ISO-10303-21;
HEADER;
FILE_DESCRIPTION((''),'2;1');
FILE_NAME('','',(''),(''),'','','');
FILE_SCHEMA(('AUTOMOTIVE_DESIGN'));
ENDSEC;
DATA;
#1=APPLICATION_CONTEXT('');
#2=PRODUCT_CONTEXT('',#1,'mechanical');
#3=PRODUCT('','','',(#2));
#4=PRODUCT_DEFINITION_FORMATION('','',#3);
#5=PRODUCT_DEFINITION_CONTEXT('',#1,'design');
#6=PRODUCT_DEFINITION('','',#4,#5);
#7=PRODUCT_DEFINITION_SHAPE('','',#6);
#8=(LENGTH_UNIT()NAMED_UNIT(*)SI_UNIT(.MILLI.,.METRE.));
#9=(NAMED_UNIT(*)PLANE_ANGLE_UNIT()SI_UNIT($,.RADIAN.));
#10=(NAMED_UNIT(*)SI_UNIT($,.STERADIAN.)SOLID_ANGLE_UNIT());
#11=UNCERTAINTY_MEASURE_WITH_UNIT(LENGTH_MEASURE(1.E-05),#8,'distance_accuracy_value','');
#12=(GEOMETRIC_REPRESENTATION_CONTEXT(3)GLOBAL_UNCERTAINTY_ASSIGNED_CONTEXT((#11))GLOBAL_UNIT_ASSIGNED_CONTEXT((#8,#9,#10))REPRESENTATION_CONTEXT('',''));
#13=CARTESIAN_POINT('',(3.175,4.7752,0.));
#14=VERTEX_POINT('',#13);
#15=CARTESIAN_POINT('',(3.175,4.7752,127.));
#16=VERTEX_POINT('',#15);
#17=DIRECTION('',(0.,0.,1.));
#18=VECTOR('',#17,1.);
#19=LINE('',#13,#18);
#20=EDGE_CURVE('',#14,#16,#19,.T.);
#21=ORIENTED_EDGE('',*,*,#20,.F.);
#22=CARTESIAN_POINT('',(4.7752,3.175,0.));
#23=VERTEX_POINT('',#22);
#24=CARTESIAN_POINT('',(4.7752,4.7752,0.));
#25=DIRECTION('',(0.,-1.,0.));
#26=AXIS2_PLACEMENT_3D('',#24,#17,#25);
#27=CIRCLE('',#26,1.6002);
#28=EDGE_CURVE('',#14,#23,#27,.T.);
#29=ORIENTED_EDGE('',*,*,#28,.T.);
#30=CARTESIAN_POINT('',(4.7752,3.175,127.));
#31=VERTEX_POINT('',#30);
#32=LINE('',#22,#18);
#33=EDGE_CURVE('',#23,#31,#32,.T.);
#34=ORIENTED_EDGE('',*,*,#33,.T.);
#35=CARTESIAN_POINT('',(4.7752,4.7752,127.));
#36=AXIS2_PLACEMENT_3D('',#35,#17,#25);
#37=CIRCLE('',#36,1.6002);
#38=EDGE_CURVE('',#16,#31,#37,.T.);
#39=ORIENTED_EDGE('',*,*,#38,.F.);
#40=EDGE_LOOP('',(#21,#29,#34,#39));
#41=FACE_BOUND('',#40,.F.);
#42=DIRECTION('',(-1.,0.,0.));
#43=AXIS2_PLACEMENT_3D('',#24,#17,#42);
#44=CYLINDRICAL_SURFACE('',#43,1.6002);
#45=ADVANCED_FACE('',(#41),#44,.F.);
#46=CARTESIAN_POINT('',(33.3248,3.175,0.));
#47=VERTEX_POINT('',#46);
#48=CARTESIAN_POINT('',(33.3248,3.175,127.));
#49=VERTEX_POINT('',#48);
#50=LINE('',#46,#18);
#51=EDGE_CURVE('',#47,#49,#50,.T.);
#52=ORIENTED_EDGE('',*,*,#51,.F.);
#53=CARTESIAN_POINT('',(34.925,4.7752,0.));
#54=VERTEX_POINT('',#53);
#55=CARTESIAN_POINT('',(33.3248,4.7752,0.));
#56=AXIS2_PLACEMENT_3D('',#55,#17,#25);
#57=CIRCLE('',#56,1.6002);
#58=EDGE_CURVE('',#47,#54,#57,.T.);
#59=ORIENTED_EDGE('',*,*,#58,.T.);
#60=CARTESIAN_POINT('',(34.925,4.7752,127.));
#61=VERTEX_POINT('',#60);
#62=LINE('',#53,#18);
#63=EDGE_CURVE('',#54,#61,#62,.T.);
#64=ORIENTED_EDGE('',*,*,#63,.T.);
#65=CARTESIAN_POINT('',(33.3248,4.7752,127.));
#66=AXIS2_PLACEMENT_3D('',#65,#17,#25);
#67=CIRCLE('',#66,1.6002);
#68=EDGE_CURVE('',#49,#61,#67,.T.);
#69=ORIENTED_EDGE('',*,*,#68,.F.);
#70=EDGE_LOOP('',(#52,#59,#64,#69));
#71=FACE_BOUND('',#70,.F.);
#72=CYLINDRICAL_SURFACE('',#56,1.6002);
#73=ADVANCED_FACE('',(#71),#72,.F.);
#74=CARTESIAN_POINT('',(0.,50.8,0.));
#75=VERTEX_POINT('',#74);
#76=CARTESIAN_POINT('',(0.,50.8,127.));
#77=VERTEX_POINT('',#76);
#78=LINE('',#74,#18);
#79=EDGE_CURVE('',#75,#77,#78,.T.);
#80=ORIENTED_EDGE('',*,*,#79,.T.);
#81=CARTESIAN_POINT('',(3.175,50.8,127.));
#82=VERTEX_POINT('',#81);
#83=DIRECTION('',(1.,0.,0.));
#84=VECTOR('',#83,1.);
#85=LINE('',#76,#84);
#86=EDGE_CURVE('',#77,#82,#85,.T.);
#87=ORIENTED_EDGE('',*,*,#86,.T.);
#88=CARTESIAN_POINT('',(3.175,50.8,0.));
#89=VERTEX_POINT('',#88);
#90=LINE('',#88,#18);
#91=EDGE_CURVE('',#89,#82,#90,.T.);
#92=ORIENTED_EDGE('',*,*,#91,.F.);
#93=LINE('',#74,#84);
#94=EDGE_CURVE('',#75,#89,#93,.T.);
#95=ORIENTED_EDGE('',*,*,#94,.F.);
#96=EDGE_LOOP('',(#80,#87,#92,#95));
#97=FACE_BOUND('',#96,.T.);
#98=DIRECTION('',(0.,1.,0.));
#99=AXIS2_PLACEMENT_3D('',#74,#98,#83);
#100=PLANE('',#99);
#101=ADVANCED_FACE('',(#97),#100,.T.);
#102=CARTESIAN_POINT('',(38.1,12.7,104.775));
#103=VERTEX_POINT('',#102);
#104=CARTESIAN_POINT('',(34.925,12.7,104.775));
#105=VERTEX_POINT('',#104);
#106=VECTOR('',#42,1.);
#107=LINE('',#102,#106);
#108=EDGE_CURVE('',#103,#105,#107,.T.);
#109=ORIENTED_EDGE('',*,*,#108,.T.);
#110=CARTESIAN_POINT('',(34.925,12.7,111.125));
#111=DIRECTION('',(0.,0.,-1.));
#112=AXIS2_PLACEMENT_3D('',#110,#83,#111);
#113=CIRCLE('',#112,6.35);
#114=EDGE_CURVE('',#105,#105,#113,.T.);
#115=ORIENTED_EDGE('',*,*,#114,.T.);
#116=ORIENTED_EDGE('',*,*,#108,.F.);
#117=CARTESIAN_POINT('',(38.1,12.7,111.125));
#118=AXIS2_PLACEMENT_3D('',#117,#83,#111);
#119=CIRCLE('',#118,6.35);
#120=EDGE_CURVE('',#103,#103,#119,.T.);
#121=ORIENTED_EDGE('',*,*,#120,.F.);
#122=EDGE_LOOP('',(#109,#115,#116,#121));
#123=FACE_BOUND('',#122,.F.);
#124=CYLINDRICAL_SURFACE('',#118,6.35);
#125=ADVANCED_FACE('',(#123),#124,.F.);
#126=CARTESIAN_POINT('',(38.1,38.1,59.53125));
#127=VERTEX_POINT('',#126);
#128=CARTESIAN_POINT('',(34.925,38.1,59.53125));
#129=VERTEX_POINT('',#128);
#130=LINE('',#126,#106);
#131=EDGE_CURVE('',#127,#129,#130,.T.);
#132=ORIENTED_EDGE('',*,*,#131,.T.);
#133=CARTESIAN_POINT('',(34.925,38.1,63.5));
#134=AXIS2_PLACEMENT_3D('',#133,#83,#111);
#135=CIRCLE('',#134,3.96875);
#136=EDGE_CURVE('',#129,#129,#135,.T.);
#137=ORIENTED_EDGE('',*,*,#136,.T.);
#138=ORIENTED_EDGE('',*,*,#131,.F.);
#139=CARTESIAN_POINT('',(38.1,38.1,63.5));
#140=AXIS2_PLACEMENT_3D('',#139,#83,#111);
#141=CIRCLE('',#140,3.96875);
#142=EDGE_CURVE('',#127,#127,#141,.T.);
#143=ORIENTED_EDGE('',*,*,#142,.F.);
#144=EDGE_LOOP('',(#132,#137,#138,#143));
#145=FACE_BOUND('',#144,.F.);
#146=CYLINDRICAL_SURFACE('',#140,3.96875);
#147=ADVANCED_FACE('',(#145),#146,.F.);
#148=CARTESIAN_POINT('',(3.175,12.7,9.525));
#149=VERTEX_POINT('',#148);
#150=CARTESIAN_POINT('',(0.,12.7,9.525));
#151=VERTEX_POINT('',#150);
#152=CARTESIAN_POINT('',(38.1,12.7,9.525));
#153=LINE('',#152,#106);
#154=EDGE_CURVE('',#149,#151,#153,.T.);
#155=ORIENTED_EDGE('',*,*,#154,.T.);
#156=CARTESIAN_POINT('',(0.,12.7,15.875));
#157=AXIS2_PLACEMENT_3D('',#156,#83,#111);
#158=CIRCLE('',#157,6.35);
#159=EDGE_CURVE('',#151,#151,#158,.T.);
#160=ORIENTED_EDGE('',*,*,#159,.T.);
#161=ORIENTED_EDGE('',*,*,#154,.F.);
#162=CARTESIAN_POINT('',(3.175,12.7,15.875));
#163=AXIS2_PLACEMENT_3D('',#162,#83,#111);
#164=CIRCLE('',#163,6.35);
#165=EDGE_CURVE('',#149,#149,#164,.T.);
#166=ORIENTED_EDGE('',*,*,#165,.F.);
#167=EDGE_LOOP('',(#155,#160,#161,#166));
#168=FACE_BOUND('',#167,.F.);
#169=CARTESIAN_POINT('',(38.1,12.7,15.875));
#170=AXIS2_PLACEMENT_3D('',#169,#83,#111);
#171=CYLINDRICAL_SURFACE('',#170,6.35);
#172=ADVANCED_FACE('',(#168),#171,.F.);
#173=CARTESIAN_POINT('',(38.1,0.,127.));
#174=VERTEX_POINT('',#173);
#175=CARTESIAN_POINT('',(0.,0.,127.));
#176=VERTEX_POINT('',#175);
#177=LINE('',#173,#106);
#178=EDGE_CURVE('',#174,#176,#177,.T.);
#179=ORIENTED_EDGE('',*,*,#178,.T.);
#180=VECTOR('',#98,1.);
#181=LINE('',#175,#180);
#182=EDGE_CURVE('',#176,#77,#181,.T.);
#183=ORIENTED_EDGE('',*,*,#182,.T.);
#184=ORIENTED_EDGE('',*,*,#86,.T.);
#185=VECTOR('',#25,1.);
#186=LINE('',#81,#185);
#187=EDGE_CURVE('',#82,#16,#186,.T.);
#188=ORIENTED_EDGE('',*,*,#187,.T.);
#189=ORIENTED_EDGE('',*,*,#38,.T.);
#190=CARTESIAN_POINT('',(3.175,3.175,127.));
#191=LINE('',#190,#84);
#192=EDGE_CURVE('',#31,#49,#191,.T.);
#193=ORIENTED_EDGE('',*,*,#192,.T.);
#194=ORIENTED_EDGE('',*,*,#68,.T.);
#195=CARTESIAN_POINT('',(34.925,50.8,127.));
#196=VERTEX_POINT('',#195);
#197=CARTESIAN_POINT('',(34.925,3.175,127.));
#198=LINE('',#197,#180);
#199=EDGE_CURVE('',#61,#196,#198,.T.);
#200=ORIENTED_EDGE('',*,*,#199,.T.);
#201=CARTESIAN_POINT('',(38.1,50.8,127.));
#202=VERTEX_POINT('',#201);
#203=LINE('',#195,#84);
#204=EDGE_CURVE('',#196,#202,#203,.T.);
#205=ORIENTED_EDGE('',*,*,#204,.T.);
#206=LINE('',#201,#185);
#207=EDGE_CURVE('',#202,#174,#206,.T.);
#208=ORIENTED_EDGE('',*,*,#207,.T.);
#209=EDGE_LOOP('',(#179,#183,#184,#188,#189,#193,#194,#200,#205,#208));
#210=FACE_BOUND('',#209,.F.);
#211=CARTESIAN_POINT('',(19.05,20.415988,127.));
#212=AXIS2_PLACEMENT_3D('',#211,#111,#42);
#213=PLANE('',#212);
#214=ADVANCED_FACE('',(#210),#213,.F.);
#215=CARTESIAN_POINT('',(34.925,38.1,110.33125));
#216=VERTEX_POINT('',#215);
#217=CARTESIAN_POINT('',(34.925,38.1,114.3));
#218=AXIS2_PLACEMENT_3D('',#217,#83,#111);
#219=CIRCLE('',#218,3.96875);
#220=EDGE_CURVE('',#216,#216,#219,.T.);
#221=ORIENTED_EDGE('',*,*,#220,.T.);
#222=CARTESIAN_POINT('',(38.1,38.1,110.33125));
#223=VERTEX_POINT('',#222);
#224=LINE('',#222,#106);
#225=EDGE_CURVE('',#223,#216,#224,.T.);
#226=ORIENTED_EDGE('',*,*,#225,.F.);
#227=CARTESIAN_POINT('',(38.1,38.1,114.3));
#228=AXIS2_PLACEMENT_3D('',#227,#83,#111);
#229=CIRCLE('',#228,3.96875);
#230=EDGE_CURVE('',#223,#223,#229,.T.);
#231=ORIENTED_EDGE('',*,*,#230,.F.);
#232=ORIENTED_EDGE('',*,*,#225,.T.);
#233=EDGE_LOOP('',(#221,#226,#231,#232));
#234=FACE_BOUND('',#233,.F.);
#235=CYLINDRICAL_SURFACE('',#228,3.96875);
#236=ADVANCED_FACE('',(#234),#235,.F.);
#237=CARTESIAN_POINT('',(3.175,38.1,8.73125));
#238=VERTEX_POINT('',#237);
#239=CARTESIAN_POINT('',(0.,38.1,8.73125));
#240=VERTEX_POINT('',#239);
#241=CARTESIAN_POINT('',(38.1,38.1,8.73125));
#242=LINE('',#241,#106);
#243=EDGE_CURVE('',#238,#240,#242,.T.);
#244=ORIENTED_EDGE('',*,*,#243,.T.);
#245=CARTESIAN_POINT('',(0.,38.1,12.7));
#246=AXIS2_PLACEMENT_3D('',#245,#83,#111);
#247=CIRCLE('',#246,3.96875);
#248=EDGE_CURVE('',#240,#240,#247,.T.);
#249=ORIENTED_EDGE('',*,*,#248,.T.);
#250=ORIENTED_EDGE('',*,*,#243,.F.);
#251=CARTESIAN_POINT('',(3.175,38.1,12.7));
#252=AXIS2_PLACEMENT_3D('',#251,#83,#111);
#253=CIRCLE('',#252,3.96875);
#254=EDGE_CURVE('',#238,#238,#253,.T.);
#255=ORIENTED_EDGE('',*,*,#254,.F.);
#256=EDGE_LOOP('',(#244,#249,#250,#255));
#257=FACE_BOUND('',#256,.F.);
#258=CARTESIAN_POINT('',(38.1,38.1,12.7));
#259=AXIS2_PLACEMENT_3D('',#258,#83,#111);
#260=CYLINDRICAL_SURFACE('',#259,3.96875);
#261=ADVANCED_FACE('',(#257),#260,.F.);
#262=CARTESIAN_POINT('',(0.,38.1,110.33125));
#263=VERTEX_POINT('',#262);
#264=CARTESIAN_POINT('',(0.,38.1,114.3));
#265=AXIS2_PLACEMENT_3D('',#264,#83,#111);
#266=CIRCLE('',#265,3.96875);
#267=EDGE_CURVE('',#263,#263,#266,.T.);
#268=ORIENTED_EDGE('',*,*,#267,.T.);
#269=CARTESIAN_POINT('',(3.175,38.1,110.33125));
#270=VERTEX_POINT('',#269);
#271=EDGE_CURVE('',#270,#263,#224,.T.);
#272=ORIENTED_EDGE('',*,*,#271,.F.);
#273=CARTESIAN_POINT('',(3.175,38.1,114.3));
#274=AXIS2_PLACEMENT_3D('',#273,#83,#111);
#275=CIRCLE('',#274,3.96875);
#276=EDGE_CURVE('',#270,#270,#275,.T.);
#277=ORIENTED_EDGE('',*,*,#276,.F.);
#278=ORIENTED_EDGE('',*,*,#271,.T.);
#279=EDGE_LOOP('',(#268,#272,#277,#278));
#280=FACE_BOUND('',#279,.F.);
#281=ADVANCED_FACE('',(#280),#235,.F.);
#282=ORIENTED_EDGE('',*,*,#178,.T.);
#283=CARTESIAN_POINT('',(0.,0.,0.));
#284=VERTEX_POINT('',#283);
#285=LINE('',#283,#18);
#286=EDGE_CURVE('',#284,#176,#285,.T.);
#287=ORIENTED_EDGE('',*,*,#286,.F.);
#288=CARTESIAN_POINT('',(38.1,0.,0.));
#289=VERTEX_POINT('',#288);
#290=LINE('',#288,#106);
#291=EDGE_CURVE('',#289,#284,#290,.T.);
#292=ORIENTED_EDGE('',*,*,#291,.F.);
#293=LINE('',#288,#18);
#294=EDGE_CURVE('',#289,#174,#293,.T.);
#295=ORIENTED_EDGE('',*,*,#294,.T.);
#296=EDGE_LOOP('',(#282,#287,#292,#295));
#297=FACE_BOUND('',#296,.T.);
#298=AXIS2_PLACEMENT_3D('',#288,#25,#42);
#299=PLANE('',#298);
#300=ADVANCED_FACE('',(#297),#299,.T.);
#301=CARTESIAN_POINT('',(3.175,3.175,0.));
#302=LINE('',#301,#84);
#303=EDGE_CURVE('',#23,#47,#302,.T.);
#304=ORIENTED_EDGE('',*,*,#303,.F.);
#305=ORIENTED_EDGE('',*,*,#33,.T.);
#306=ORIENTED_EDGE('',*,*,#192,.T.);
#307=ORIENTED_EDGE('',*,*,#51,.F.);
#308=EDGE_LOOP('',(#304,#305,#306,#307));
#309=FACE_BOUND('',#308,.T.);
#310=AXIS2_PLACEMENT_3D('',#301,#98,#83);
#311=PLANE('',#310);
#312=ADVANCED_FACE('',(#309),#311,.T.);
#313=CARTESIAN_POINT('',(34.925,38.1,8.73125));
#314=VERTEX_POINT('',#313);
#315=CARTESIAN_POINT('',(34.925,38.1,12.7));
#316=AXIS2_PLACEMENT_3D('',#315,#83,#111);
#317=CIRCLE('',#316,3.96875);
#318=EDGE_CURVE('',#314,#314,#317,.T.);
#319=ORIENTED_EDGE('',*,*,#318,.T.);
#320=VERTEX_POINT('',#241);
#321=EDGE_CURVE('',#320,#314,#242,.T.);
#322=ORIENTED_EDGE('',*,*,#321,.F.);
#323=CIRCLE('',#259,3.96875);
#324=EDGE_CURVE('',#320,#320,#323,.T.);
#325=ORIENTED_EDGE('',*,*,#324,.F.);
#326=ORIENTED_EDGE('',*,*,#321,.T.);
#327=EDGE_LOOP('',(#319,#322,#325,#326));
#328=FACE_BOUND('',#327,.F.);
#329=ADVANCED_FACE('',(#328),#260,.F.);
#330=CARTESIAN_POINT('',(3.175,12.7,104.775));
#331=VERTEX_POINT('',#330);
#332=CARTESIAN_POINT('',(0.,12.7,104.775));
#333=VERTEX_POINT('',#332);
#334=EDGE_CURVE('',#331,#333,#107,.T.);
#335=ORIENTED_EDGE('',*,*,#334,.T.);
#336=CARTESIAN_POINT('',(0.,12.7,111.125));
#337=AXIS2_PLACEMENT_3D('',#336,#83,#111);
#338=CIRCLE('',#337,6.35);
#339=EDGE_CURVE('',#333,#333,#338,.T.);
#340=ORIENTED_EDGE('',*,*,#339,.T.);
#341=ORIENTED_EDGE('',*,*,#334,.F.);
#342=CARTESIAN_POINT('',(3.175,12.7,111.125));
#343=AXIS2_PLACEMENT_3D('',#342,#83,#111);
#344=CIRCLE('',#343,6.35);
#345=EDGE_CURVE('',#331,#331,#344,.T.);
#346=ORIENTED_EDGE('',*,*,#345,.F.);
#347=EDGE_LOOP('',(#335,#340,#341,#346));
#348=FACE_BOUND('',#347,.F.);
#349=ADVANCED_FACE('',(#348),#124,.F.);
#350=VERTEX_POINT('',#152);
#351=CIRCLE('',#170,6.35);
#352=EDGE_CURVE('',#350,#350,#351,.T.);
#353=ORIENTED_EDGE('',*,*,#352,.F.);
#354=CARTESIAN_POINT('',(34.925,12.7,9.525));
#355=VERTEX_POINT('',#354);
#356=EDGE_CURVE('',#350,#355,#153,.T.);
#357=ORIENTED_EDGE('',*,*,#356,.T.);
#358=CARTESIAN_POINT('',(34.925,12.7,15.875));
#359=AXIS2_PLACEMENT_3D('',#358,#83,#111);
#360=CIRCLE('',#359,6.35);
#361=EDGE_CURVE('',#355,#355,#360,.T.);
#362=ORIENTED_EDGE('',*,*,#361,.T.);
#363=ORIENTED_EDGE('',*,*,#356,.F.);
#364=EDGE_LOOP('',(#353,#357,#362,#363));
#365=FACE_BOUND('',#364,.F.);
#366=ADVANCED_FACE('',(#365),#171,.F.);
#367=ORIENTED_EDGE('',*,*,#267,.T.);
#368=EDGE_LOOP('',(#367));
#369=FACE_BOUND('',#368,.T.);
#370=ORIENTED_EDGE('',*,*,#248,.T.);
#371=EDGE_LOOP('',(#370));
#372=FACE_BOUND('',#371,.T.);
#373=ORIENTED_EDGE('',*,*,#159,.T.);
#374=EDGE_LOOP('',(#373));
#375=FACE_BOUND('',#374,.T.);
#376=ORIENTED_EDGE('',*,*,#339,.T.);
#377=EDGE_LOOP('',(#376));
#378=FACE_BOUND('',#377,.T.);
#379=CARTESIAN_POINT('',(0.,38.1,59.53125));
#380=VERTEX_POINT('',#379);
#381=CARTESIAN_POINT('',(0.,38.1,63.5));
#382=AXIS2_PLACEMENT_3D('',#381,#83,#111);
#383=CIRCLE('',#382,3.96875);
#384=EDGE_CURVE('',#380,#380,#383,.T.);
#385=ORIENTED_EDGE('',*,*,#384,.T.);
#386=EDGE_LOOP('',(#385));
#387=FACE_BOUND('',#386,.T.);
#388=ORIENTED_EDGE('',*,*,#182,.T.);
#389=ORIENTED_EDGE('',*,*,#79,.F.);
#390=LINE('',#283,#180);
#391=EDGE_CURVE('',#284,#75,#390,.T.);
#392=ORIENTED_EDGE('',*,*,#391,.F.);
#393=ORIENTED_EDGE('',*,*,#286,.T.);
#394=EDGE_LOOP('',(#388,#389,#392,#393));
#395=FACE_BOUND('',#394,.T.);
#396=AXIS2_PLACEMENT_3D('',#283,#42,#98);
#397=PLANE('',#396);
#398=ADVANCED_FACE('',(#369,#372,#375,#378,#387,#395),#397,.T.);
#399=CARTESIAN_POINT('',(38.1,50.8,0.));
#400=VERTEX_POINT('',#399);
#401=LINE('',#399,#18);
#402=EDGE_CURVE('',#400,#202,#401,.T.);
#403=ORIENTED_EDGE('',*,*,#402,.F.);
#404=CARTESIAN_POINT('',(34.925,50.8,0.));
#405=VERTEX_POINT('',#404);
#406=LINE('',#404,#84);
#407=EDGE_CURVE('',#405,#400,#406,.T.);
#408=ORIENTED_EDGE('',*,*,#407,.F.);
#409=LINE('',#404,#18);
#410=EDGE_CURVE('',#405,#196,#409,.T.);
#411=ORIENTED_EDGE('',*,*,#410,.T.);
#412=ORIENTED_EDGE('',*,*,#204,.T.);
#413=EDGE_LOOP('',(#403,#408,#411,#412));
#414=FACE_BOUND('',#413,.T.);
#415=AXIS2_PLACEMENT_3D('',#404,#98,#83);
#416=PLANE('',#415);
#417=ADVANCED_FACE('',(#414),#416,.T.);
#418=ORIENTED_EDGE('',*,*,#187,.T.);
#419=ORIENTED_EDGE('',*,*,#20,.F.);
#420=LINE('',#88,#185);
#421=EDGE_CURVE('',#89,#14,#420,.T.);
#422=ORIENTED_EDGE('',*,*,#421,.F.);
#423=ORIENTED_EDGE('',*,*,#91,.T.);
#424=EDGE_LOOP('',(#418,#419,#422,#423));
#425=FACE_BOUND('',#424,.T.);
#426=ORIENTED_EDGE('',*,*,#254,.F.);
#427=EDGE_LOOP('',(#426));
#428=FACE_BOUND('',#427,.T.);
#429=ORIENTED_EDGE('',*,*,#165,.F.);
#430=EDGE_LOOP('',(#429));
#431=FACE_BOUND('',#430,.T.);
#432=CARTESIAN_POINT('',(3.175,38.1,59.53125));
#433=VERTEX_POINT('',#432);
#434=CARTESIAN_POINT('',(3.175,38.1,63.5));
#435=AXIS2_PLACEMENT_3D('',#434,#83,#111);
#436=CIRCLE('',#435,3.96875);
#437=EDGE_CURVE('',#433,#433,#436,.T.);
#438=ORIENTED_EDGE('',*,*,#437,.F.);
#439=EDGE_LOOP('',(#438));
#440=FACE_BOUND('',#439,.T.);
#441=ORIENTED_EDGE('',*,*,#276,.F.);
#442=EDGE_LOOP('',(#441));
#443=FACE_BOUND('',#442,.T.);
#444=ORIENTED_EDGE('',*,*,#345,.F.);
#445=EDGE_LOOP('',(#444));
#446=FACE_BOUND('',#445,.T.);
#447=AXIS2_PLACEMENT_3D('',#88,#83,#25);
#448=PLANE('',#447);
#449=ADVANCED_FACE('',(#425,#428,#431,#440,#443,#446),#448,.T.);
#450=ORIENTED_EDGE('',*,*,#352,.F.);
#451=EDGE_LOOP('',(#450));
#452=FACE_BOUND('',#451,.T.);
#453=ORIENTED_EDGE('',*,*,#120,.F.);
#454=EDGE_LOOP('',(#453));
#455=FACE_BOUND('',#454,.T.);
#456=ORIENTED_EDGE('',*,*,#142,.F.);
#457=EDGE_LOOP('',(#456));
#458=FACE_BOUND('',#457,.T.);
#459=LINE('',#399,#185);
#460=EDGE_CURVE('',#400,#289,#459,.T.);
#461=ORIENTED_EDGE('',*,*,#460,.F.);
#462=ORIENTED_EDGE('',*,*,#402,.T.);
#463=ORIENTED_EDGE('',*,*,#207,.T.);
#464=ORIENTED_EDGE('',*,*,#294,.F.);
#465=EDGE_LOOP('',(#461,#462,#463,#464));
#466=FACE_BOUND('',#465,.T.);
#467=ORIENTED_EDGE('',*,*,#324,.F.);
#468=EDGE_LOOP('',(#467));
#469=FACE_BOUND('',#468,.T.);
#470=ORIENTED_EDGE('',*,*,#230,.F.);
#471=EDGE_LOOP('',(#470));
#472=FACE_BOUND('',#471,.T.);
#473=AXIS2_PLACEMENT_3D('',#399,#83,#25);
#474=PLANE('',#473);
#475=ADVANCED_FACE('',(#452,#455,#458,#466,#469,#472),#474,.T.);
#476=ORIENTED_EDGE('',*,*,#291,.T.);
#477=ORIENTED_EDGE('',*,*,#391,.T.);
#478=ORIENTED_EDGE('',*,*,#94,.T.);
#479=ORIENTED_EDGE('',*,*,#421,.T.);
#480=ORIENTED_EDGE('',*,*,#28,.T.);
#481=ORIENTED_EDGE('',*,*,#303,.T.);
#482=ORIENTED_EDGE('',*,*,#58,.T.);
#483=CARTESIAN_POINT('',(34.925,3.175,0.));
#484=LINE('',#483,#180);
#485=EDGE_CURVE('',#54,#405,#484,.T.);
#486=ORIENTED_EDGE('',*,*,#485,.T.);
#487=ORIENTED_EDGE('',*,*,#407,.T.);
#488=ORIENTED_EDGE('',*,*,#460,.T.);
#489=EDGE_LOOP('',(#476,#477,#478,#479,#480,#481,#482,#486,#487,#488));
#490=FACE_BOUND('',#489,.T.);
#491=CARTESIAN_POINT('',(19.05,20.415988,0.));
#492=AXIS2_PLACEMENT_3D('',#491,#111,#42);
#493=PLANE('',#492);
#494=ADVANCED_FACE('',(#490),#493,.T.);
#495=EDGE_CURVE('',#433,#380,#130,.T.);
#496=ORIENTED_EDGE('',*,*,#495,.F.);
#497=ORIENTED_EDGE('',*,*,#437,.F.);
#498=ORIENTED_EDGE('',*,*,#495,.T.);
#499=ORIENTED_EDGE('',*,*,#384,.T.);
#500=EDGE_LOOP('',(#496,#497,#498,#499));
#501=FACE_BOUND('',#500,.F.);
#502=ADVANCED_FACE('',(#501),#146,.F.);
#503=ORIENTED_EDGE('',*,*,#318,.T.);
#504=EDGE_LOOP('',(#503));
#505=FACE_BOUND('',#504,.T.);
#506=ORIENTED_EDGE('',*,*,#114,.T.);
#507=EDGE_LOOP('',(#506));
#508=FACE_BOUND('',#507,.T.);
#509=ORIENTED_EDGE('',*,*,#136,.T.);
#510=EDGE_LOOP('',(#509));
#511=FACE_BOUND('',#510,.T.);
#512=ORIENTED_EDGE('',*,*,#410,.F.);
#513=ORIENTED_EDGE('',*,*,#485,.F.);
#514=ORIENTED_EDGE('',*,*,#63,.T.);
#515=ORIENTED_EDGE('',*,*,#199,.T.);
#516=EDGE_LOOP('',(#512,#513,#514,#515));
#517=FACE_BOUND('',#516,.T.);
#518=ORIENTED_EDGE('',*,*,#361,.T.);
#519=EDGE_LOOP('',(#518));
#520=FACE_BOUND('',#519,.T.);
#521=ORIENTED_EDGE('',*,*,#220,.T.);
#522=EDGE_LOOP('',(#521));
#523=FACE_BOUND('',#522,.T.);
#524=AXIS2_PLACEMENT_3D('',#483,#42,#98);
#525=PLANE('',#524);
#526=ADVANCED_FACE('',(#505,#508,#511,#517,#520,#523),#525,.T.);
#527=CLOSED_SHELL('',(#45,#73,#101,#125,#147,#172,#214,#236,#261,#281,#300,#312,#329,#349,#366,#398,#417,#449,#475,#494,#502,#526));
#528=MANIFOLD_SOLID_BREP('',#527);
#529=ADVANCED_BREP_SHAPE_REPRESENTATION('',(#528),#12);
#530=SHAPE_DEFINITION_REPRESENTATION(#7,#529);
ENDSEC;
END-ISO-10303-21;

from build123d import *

# Parameters (mm, degrees)
BOSS_EXTRUDE1_DEPTH = 127
SKETCH2_R           = 6.35
SKETCH2_R_2         = 3.96875
CUT_EXTRUDE1_DEPTH  = 152.4
FILLET1_R           = 1.6002


with BuildPart() as part:
    # Sketch1 → Boss-Extrude1 (new body)
    with BuildSketch(Plane.XY):
        Polygon((3.175, 50.8), (3.175, 3.175), (34.925, 3.175), (34.925, 50.8), (38.1, 50.8), (38.1, 0), (0, 0), (0, 50.8), align=None)
    extrude(amount=BOSS_EXTRUDE1_DEPTH)

    # Sketch2 → Cut-Extrude1 (cut)
    with BuildSketch(Plane(origin=(38.1, 0, 0), x_dir=(0, 0, -1), z_dir=(1, 0, 0))):
        with Locations((-15.875, 12.7)):
            Circle(SKETCH2_R)
        with Locations((-111.125, 12.7)):
            Circle(SKETCH2_R)
        with Locations((-114.3, 38.1)):
            Circle(SKETCH2_R_2)
        with Locations((-63.5, 38.1)):
            Circle(SKETCH2_R_2)
        with Locations((-12.7, 38.1)):
            Circle(SKETCH2_R_2)
    extrude(amount=-CUT_EXTRUDE1_DEPTH, mode=Mode.SUBTRACT)

    # Fillet1
    fillet1_edges = [part.edges().sort_by_distance(p)[0] for p in [
        (3.175, 3.175, 63.5),
        (34.925, 3.175, 63.5),
    ]]
    fillet(fillet1_edges, radius=FILLET1_R)


solid = part.part
